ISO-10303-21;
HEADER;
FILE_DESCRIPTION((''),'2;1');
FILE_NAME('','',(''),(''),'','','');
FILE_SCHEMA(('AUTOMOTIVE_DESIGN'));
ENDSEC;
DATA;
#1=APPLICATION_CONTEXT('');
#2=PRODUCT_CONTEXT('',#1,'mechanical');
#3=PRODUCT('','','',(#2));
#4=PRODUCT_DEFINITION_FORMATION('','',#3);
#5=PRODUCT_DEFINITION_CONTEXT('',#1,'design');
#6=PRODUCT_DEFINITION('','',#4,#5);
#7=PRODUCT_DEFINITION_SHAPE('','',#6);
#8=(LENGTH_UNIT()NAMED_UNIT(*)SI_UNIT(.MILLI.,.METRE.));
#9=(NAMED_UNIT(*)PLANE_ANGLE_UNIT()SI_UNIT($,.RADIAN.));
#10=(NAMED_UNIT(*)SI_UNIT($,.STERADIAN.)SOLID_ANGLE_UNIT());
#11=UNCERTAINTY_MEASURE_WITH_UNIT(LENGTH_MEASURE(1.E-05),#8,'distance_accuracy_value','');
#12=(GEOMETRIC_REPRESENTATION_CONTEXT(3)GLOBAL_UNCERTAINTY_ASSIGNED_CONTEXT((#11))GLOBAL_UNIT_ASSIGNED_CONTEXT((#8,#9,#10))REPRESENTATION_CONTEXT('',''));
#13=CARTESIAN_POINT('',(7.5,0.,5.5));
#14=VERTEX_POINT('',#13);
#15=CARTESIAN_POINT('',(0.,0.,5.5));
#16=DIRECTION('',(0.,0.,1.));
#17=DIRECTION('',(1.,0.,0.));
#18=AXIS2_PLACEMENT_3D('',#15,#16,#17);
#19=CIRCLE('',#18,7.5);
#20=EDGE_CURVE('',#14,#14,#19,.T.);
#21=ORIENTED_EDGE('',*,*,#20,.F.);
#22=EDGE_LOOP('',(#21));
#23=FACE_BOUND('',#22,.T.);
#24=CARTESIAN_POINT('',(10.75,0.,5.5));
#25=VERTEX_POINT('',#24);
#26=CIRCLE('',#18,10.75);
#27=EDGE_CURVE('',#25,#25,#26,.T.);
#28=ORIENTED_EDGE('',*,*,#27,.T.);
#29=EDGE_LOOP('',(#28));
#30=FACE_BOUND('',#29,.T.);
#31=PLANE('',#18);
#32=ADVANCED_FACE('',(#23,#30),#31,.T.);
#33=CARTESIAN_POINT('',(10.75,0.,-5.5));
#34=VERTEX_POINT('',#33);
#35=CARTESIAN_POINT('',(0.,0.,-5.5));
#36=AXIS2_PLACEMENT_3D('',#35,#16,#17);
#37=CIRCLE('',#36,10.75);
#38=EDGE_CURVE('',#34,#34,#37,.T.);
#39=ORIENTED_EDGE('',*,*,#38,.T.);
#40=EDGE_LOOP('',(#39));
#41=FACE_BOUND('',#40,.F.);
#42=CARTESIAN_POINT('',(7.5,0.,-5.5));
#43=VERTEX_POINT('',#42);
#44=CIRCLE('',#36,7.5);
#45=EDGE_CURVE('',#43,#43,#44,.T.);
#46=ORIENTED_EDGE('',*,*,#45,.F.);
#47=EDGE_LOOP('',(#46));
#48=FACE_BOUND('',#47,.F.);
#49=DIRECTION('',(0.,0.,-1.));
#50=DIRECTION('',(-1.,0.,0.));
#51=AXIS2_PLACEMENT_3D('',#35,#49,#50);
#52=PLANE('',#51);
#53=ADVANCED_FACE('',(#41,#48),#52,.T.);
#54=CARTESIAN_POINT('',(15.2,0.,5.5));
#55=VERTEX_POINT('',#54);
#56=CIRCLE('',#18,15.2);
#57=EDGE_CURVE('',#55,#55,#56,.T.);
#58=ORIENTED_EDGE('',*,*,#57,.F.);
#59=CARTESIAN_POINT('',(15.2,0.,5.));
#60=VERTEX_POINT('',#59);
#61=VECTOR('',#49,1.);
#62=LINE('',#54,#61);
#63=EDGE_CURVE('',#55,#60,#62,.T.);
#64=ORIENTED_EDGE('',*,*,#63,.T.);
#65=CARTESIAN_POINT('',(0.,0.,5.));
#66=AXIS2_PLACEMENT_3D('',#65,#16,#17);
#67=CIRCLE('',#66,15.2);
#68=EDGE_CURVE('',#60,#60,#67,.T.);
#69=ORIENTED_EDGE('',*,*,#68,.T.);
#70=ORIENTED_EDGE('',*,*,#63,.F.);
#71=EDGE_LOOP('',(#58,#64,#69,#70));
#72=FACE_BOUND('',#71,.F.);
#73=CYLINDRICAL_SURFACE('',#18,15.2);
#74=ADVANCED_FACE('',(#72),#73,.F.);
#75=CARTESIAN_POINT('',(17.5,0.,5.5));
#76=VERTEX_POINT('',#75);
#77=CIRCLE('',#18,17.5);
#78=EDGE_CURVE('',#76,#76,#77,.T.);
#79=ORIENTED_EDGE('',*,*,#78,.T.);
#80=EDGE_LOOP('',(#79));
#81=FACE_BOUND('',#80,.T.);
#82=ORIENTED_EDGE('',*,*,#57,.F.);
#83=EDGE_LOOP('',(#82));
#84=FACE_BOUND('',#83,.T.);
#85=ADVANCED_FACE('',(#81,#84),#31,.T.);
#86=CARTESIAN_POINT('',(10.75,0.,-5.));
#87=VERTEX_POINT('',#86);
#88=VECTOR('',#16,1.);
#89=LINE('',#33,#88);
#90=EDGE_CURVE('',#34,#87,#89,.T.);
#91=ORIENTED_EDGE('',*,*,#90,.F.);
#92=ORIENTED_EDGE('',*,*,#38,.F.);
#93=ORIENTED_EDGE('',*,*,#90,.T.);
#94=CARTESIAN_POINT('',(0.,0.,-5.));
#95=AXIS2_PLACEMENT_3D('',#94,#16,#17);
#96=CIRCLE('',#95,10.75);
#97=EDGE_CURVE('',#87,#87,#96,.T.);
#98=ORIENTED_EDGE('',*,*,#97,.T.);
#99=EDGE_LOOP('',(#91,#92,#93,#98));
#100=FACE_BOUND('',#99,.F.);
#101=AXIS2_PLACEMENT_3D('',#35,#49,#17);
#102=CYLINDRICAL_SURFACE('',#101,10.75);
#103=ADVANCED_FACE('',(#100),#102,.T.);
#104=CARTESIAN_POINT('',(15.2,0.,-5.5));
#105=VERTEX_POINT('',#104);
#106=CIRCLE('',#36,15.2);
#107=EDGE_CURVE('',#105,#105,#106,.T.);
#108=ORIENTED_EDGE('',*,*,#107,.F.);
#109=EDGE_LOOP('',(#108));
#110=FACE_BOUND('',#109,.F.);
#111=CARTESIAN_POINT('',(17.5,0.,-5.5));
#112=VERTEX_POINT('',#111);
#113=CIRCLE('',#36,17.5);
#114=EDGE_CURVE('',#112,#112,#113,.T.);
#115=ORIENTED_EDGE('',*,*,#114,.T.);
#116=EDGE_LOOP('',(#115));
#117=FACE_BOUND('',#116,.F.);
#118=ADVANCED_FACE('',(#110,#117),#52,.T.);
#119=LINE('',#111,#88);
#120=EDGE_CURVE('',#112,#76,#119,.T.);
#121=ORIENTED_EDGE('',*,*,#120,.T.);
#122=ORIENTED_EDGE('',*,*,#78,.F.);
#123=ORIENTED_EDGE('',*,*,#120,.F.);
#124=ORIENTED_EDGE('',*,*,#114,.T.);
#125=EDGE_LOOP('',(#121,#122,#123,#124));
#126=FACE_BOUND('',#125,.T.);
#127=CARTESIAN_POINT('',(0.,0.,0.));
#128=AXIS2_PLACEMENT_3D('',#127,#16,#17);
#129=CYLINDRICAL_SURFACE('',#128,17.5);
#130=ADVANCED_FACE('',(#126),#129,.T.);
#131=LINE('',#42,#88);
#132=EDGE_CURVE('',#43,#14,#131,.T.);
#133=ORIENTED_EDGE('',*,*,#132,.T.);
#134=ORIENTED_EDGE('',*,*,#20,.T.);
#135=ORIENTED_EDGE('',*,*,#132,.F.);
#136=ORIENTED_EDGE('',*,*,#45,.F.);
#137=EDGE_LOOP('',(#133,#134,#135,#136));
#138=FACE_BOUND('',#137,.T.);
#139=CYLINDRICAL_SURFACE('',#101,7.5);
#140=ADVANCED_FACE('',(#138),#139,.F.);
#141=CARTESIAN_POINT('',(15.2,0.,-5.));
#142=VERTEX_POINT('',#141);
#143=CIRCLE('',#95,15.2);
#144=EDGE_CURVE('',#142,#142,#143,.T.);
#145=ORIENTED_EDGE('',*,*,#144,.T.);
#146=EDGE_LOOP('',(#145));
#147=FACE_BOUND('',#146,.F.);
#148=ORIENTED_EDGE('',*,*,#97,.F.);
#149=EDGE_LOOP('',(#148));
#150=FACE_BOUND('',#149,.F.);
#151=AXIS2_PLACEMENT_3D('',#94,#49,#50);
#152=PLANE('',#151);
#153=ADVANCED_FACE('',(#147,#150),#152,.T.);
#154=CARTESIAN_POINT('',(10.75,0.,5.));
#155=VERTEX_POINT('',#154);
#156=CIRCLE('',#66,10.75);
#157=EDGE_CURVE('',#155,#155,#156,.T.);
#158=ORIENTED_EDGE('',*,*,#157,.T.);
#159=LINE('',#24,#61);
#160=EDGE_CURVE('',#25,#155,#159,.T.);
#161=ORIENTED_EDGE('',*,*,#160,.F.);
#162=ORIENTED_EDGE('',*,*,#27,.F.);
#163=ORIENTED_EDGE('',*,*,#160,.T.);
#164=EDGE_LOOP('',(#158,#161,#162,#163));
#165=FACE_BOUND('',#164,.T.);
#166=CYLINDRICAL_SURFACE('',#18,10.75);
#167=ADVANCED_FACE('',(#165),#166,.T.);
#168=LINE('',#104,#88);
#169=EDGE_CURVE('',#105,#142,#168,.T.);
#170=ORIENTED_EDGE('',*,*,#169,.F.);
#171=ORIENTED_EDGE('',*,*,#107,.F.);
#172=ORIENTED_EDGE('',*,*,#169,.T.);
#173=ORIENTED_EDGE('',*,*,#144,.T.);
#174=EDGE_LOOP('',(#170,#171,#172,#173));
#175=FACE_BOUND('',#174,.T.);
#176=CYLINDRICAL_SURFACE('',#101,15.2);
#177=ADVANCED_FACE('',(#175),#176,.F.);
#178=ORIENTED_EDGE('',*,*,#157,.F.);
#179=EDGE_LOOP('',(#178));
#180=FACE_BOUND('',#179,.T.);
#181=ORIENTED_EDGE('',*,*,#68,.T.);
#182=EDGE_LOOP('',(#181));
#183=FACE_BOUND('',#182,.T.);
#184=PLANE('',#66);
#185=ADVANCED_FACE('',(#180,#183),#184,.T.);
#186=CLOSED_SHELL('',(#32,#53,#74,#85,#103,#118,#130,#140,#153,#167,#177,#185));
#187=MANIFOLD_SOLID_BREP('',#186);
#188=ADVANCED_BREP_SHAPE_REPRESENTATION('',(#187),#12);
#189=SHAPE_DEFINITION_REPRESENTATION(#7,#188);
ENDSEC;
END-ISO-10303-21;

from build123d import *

# Parameters (mm, degrees)
F0_R     = 17.5
F1_DEPTH = 5.5
F2_R     = 7.5
F3_DEPTH = 25
F4_R     = 15.2
F4_R_2   = 10.75
F5_DEPTH = 0.5


with BuildPart() as f1:
    # F0 (on Top) → F1 (new body)
    with BuildSketch(Plane.XY):
        Circle(F0_R)
    extrude(amount=F1_DEPTH)

    # F2 (on face) → F3 (cut)
    with BuildSketch(Plane.XY.offset(5.5)):
        Circle(F2_R)
    extrude(amount=-F3_DEPTH, mode=Mode.SUBTRACT)

    # F4 (on face) → F5 (cut)
    with BuildSketch(Plane.XY.offset(5.5)):
        Circle(F4_R)
        Circle(F4_R_2, mode=Mode.SUBTRACT)
    extrude(amount=-F5_DEPTH, mode=Mode.SUBTRACT)

    # F6: F1 across plane


with BuildPart() as f1_1:
    add(f1.part)
    add(f1.part.mirror(Plane.XY))


solid = f1_1.part
